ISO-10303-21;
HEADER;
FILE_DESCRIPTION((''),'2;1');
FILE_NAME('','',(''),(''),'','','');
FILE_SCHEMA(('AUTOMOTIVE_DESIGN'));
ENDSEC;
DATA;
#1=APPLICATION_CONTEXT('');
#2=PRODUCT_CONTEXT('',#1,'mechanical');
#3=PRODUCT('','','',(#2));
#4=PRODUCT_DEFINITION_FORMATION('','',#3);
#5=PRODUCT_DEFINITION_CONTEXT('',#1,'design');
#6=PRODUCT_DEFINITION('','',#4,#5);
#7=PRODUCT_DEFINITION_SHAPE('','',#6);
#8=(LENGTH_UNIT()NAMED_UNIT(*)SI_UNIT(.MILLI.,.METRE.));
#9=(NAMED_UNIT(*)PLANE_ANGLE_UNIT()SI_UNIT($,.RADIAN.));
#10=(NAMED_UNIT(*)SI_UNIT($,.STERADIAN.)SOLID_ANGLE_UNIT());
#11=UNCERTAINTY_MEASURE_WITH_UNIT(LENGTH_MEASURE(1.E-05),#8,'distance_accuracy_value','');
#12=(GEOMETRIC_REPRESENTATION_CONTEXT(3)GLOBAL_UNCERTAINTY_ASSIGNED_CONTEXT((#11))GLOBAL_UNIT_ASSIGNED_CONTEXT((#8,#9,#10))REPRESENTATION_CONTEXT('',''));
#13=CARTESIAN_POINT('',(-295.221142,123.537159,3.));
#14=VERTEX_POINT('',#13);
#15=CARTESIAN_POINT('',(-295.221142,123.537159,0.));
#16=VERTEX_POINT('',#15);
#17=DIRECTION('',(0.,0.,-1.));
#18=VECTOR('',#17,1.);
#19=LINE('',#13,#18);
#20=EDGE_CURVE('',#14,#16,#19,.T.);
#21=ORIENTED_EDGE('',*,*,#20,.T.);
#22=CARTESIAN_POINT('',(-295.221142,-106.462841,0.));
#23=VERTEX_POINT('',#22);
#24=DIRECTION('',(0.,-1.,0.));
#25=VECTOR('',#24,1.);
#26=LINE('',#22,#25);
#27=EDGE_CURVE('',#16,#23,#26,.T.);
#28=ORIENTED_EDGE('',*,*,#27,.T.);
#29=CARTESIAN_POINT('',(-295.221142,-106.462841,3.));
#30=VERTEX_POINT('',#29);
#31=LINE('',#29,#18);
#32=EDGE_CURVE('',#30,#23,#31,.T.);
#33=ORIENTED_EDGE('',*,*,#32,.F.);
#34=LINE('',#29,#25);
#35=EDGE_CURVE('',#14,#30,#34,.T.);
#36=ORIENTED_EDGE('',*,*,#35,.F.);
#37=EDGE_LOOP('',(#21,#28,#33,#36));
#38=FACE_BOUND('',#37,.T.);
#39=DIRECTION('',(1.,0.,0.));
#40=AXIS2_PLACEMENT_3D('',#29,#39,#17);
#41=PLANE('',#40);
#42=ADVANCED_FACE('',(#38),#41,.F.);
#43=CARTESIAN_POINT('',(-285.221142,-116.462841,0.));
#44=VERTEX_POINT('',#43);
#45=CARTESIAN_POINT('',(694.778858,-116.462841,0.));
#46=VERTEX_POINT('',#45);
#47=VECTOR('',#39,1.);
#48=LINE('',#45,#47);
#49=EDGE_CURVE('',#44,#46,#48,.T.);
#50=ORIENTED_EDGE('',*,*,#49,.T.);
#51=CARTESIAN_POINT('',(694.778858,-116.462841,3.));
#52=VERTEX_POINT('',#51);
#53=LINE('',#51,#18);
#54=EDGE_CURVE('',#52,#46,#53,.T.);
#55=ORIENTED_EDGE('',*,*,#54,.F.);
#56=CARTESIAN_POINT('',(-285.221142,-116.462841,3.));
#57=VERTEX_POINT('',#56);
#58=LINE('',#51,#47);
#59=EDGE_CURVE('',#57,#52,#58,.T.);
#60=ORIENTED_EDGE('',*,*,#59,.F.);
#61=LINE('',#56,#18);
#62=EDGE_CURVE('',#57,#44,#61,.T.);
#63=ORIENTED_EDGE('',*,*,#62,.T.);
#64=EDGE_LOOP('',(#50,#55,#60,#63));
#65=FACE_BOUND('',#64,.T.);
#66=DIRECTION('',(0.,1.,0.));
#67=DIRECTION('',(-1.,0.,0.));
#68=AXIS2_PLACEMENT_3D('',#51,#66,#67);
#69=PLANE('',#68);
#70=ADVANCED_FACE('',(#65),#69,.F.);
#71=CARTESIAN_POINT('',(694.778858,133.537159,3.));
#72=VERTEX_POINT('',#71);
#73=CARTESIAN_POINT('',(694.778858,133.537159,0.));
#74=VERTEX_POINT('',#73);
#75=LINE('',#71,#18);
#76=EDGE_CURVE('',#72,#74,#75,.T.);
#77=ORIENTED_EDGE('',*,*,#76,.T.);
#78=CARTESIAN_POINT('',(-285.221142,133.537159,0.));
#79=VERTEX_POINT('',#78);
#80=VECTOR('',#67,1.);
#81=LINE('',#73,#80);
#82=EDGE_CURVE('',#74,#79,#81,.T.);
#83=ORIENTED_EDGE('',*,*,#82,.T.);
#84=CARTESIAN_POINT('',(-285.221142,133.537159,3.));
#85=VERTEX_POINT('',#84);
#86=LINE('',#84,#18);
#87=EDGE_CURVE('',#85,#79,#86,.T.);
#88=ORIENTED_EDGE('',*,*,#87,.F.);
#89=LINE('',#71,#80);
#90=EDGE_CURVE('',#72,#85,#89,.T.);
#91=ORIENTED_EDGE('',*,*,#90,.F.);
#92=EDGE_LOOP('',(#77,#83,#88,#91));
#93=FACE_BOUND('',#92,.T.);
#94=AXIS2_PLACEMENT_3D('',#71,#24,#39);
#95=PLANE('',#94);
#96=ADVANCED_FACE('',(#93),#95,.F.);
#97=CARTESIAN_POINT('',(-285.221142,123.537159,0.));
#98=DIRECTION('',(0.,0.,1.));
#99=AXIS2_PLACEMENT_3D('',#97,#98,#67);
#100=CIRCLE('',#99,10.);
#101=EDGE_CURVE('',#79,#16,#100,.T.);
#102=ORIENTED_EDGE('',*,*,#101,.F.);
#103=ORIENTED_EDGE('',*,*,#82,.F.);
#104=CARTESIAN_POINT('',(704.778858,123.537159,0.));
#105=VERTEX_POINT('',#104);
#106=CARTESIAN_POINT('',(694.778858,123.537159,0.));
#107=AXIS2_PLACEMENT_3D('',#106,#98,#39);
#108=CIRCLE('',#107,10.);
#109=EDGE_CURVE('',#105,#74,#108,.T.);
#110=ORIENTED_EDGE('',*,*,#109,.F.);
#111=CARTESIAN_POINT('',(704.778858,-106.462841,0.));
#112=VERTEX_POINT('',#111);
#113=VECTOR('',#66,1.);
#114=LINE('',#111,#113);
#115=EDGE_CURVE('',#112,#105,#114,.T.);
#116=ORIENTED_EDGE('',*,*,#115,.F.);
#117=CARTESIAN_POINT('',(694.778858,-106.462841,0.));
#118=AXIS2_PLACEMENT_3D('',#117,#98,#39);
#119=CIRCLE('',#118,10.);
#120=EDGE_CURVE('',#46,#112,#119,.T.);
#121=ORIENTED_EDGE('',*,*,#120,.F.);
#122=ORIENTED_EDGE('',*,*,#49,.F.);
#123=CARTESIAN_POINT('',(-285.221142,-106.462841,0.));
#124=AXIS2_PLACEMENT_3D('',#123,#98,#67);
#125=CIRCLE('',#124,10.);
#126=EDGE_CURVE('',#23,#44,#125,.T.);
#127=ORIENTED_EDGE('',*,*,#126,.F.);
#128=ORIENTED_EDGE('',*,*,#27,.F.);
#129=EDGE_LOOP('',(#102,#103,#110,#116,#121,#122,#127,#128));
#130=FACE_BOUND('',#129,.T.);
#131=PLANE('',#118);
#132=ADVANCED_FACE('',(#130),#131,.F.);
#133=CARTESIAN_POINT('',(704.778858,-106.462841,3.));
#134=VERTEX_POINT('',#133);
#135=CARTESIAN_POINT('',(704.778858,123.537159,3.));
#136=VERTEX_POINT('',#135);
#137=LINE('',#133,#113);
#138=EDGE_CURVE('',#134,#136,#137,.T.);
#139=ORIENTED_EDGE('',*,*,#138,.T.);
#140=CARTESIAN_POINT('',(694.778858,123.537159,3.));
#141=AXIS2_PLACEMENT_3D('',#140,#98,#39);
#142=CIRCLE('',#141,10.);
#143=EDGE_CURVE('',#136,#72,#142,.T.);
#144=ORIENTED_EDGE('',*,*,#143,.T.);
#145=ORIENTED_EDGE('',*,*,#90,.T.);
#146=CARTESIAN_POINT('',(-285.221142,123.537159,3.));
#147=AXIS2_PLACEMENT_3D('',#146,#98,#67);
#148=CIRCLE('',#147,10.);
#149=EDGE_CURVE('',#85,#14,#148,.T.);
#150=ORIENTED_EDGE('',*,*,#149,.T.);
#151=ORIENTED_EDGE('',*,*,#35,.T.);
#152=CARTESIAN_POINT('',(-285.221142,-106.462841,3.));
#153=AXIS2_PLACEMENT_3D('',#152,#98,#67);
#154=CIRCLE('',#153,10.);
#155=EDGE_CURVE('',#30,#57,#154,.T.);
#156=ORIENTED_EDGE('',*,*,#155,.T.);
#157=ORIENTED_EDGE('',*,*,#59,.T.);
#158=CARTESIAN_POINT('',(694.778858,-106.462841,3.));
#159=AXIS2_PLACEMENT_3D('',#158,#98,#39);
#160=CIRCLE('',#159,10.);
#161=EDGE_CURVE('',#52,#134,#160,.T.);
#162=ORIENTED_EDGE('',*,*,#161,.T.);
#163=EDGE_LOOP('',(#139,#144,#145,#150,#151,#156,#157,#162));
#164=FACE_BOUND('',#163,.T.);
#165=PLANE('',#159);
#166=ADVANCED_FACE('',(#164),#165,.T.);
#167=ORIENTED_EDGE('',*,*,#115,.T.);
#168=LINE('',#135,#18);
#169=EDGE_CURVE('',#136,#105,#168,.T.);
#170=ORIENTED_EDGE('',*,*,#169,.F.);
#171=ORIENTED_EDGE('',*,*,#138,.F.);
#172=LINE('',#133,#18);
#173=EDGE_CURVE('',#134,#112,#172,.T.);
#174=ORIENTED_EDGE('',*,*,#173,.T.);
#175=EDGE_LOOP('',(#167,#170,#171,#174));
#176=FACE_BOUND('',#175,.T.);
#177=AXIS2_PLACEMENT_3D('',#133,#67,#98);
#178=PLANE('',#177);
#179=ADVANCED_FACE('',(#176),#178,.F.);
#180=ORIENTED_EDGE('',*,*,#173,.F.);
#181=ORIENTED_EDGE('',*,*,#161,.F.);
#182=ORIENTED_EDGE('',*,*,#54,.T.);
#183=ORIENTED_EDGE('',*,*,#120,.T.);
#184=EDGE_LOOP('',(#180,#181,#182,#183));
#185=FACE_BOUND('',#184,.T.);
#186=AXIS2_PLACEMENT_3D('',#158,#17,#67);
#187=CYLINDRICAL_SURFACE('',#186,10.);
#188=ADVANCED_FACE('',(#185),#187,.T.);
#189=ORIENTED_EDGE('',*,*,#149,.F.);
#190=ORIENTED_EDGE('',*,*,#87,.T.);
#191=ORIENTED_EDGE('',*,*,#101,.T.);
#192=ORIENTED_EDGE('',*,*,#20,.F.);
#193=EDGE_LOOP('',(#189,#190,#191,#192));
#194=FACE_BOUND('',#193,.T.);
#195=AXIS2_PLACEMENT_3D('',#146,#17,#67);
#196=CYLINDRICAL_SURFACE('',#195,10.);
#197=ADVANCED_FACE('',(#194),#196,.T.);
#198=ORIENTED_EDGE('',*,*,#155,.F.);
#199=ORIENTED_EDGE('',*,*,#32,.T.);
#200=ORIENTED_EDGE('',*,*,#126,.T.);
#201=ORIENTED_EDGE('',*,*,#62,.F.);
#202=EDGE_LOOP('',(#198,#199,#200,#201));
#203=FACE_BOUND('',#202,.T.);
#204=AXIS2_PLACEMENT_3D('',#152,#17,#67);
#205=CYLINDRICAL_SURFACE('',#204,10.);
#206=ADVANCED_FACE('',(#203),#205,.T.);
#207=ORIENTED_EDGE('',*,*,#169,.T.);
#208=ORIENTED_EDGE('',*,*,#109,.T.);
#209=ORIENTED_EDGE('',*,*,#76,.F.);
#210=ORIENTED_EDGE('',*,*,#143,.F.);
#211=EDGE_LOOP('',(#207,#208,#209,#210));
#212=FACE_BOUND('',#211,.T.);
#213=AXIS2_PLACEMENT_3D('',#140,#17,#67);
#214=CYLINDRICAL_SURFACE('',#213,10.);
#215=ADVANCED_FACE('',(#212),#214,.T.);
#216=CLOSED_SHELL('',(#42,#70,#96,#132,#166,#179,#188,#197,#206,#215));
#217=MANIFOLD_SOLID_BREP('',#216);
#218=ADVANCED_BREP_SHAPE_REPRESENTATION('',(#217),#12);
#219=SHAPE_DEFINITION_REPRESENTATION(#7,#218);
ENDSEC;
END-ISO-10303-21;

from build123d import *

# Parameters (mm, degrees)
BOSS_EXTRU_1_DEPTH = 3


with BuildPart() as part:
    # Esquisse1 → Boss.-Extru.1 (new body)
    with BuildSketch(Plane.XY):
        with BuildLine():
            Line((694.77885805, -116.462840619), (-285.22114195, -116.462840619))
            ThreePointArc((-285.22114195, -116.462840619), (-292.292209762, -113.533908431), (-295.22114195, -106.462840619))
            Line((-295.22114195, -106.462840619), (-295.22114195, 123.537159381))
            ThreePointArc((-295.22114195, 123.537159381), (-292.292209762, 130.608227193), (-285.22114195, 133.537159381))
            Line((-285.22114195, 133.537159381), (694.77885805, 133.537159381))
            ThreePointArc((694.77885805, 133.537159381), (701.849925862, 130.608227193), (704.77885805, 123.537159381))
            Line((704.77885805, 123.537159381), (704.77885805, -106.462840619))
            ThreePointArc((704.77885805, -106.462840619), (701.849925862, -113.533908431), (694.77885805, -116.462840619))
        make_face()
    extrude(amount=BOSS_EXTRU_1_DEPTH)


solid = part.part
